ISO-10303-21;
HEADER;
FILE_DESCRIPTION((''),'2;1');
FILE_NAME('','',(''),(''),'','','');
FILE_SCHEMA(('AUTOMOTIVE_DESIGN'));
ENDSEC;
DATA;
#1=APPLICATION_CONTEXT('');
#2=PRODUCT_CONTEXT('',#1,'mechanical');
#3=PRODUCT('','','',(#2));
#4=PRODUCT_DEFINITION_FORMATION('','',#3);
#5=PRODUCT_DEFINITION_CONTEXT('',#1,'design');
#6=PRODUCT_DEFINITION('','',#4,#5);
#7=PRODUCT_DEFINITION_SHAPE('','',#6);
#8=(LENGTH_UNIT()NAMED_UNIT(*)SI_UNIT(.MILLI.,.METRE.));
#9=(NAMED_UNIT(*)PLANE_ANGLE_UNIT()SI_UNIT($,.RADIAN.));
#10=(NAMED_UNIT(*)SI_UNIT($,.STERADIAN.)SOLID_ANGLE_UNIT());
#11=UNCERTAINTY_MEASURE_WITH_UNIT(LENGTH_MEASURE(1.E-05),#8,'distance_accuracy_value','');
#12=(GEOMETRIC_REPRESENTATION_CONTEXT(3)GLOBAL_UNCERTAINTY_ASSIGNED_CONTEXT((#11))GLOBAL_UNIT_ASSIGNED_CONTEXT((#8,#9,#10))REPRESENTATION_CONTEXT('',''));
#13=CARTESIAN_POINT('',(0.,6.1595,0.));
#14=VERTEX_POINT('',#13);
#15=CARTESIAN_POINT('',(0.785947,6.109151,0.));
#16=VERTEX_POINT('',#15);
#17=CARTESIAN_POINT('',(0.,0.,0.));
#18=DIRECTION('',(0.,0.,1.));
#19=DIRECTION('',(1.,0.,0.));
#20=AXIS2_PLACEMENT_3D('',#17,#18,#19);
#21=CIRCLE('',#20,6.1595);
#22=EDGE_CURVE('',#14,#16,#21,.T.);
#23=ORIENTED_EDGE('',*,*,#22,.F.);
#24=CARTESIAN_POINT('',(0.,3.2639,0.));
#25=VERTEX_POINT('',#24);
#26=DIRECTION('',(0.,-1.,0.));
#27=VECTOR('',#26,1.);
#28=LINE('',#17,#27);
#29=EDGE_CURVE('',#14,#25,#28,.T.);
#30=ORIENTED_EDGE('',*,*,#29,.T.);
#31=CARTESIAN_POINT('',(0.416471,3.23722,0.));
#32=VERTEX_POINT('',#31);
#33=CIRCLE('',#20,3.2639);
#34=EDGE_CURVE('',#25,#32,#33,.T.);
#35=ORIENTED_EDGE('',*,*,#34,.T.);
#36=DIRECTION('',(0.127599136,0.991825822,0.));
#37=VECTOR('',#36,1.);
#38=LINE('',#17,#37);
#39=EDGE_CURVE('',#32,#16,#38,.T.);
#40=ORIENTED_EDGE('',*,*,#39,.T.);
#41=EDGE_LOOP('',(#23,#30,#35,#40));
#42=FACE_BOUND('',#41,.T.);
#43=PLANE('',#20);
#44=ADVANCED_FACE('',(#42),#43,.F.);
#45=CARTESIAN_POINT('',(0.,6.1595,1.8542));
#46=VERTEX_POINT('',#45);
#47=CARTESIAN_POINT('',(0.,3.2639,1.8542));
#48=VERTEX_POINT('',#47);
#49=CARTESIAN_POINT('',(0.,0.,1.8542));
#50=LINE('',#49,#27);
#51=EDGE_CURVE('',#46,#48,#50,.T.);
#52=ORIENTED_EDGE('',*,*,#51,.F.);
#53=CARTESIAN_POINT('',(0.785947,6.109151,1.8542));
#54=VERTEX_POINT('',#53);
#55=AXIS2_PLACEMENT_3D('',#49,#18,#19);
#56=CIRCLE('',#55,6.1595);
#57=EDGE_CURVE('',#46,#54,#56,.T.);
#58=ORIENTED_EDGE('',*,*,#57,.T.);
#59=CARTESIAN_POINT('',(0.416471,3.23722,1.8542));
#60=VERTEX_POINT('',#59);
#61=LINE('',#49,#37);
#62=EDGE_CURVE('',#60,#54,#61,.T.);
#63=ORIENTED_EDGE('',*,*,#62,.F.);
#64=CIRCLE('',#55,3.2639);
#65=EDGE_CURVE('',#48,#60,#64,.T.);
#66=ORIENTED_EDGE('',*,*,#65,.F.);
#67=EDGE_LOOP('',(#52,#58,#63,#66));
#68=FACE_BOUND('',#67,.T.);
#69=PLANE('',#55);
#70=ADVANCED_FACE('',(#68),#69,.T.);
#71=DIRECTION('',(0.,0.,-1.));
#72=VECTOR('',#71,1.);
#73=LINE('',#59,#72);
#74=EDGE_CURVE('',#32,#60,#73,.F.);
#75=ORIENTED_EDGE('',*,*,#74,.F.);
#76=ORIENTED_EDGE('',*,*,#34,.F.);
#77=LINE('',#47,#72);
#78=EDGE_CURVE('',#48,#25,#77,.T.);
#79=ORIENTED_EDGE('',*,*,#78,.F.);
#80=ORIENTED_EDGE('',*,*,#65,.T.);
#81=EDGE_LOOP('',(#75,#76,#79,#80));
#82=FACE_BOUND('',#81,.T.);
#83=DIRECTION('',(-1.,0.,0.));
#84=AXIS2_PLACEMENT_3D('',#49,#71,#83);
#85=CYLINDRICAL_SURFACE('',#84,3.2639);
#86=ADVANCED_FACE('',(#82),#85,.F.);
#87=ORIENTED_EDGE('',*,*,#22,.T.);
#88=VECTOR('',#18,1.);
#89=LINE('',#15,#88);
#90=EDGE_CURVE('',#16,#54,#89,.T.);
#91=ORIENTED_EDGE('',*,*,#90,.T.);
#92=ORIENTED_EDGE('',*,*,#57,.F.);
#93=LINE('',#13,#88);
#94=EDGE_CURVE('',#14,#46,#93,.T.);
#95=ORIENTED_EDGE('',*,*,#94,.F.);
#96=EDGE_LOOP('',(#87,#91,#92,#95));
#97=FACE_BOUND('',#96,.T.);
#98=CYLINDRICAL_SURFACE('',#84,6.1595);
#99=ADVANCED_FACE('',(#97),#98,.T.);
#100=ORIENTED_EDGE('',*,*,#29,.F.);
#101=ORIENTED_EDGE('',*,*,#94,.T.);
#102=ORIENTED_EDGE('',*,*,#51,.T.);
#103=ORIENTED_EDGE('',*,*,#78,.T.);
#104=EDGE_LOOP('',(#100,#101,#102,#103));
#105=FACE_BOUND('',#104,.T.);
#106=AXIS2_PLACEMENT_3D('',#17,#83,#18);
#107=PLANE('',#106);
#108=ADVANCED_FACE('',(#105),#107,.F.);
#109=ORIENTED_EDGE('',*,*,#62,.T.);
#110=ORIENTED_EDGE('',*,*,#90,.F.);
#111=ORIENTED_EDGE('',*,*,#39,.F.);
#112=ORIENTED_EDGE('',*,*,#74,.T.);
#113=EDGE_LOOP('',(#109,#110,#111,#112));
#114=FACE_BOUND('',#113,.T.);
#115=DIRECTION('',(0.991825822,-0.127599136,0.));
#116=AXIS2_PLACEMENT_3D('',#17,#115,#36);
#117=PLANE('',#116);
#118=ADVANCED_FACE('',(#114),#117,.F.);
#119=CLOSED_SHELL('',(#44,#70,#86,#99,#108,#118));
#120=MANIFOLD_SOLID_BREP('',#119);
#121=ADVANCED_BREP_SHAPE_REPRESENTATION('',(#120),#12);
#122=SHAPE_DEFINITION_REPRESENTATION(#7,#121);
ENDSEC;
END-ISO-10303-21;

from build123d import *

# Parameters (mm, degrees)
SKETCH1_R      = 6.1595
SKETCH1_R_2    = 3.2639
EXTRUDE1_DEPTH = 1.8542
EXTRUDE2_DEPTH = 1.8542


with BuildPart() as part:
    # Sketch1 → Extrude1 (new body)
    with BuildSketch(Plane.XY):
        Circle(SKETCH1_R)
        Circle(SKETCH1_R_2, mode=Mode.SUBTRACT)
    extrude(amount=EXTRUDE1_DEPTH)

    # Sketch2 → Extrude2 (cut)
    with BuildSketch(Plane.XY.offset(1.8542)):
        with BuildLine():
            Line((0, 0), (0, 6.1595))
            ThreePointArc((0, 6.1595), (0.393778969, 6.146899899), (0.785946881, 6.109151148))
            Line((0.785946881, 6.109151148), (0, 0))
        make_face()
    extrude(amount=-EXTRUDE2_DEPTH, mode=Mode.SUBTRACT)


solid = part.part
